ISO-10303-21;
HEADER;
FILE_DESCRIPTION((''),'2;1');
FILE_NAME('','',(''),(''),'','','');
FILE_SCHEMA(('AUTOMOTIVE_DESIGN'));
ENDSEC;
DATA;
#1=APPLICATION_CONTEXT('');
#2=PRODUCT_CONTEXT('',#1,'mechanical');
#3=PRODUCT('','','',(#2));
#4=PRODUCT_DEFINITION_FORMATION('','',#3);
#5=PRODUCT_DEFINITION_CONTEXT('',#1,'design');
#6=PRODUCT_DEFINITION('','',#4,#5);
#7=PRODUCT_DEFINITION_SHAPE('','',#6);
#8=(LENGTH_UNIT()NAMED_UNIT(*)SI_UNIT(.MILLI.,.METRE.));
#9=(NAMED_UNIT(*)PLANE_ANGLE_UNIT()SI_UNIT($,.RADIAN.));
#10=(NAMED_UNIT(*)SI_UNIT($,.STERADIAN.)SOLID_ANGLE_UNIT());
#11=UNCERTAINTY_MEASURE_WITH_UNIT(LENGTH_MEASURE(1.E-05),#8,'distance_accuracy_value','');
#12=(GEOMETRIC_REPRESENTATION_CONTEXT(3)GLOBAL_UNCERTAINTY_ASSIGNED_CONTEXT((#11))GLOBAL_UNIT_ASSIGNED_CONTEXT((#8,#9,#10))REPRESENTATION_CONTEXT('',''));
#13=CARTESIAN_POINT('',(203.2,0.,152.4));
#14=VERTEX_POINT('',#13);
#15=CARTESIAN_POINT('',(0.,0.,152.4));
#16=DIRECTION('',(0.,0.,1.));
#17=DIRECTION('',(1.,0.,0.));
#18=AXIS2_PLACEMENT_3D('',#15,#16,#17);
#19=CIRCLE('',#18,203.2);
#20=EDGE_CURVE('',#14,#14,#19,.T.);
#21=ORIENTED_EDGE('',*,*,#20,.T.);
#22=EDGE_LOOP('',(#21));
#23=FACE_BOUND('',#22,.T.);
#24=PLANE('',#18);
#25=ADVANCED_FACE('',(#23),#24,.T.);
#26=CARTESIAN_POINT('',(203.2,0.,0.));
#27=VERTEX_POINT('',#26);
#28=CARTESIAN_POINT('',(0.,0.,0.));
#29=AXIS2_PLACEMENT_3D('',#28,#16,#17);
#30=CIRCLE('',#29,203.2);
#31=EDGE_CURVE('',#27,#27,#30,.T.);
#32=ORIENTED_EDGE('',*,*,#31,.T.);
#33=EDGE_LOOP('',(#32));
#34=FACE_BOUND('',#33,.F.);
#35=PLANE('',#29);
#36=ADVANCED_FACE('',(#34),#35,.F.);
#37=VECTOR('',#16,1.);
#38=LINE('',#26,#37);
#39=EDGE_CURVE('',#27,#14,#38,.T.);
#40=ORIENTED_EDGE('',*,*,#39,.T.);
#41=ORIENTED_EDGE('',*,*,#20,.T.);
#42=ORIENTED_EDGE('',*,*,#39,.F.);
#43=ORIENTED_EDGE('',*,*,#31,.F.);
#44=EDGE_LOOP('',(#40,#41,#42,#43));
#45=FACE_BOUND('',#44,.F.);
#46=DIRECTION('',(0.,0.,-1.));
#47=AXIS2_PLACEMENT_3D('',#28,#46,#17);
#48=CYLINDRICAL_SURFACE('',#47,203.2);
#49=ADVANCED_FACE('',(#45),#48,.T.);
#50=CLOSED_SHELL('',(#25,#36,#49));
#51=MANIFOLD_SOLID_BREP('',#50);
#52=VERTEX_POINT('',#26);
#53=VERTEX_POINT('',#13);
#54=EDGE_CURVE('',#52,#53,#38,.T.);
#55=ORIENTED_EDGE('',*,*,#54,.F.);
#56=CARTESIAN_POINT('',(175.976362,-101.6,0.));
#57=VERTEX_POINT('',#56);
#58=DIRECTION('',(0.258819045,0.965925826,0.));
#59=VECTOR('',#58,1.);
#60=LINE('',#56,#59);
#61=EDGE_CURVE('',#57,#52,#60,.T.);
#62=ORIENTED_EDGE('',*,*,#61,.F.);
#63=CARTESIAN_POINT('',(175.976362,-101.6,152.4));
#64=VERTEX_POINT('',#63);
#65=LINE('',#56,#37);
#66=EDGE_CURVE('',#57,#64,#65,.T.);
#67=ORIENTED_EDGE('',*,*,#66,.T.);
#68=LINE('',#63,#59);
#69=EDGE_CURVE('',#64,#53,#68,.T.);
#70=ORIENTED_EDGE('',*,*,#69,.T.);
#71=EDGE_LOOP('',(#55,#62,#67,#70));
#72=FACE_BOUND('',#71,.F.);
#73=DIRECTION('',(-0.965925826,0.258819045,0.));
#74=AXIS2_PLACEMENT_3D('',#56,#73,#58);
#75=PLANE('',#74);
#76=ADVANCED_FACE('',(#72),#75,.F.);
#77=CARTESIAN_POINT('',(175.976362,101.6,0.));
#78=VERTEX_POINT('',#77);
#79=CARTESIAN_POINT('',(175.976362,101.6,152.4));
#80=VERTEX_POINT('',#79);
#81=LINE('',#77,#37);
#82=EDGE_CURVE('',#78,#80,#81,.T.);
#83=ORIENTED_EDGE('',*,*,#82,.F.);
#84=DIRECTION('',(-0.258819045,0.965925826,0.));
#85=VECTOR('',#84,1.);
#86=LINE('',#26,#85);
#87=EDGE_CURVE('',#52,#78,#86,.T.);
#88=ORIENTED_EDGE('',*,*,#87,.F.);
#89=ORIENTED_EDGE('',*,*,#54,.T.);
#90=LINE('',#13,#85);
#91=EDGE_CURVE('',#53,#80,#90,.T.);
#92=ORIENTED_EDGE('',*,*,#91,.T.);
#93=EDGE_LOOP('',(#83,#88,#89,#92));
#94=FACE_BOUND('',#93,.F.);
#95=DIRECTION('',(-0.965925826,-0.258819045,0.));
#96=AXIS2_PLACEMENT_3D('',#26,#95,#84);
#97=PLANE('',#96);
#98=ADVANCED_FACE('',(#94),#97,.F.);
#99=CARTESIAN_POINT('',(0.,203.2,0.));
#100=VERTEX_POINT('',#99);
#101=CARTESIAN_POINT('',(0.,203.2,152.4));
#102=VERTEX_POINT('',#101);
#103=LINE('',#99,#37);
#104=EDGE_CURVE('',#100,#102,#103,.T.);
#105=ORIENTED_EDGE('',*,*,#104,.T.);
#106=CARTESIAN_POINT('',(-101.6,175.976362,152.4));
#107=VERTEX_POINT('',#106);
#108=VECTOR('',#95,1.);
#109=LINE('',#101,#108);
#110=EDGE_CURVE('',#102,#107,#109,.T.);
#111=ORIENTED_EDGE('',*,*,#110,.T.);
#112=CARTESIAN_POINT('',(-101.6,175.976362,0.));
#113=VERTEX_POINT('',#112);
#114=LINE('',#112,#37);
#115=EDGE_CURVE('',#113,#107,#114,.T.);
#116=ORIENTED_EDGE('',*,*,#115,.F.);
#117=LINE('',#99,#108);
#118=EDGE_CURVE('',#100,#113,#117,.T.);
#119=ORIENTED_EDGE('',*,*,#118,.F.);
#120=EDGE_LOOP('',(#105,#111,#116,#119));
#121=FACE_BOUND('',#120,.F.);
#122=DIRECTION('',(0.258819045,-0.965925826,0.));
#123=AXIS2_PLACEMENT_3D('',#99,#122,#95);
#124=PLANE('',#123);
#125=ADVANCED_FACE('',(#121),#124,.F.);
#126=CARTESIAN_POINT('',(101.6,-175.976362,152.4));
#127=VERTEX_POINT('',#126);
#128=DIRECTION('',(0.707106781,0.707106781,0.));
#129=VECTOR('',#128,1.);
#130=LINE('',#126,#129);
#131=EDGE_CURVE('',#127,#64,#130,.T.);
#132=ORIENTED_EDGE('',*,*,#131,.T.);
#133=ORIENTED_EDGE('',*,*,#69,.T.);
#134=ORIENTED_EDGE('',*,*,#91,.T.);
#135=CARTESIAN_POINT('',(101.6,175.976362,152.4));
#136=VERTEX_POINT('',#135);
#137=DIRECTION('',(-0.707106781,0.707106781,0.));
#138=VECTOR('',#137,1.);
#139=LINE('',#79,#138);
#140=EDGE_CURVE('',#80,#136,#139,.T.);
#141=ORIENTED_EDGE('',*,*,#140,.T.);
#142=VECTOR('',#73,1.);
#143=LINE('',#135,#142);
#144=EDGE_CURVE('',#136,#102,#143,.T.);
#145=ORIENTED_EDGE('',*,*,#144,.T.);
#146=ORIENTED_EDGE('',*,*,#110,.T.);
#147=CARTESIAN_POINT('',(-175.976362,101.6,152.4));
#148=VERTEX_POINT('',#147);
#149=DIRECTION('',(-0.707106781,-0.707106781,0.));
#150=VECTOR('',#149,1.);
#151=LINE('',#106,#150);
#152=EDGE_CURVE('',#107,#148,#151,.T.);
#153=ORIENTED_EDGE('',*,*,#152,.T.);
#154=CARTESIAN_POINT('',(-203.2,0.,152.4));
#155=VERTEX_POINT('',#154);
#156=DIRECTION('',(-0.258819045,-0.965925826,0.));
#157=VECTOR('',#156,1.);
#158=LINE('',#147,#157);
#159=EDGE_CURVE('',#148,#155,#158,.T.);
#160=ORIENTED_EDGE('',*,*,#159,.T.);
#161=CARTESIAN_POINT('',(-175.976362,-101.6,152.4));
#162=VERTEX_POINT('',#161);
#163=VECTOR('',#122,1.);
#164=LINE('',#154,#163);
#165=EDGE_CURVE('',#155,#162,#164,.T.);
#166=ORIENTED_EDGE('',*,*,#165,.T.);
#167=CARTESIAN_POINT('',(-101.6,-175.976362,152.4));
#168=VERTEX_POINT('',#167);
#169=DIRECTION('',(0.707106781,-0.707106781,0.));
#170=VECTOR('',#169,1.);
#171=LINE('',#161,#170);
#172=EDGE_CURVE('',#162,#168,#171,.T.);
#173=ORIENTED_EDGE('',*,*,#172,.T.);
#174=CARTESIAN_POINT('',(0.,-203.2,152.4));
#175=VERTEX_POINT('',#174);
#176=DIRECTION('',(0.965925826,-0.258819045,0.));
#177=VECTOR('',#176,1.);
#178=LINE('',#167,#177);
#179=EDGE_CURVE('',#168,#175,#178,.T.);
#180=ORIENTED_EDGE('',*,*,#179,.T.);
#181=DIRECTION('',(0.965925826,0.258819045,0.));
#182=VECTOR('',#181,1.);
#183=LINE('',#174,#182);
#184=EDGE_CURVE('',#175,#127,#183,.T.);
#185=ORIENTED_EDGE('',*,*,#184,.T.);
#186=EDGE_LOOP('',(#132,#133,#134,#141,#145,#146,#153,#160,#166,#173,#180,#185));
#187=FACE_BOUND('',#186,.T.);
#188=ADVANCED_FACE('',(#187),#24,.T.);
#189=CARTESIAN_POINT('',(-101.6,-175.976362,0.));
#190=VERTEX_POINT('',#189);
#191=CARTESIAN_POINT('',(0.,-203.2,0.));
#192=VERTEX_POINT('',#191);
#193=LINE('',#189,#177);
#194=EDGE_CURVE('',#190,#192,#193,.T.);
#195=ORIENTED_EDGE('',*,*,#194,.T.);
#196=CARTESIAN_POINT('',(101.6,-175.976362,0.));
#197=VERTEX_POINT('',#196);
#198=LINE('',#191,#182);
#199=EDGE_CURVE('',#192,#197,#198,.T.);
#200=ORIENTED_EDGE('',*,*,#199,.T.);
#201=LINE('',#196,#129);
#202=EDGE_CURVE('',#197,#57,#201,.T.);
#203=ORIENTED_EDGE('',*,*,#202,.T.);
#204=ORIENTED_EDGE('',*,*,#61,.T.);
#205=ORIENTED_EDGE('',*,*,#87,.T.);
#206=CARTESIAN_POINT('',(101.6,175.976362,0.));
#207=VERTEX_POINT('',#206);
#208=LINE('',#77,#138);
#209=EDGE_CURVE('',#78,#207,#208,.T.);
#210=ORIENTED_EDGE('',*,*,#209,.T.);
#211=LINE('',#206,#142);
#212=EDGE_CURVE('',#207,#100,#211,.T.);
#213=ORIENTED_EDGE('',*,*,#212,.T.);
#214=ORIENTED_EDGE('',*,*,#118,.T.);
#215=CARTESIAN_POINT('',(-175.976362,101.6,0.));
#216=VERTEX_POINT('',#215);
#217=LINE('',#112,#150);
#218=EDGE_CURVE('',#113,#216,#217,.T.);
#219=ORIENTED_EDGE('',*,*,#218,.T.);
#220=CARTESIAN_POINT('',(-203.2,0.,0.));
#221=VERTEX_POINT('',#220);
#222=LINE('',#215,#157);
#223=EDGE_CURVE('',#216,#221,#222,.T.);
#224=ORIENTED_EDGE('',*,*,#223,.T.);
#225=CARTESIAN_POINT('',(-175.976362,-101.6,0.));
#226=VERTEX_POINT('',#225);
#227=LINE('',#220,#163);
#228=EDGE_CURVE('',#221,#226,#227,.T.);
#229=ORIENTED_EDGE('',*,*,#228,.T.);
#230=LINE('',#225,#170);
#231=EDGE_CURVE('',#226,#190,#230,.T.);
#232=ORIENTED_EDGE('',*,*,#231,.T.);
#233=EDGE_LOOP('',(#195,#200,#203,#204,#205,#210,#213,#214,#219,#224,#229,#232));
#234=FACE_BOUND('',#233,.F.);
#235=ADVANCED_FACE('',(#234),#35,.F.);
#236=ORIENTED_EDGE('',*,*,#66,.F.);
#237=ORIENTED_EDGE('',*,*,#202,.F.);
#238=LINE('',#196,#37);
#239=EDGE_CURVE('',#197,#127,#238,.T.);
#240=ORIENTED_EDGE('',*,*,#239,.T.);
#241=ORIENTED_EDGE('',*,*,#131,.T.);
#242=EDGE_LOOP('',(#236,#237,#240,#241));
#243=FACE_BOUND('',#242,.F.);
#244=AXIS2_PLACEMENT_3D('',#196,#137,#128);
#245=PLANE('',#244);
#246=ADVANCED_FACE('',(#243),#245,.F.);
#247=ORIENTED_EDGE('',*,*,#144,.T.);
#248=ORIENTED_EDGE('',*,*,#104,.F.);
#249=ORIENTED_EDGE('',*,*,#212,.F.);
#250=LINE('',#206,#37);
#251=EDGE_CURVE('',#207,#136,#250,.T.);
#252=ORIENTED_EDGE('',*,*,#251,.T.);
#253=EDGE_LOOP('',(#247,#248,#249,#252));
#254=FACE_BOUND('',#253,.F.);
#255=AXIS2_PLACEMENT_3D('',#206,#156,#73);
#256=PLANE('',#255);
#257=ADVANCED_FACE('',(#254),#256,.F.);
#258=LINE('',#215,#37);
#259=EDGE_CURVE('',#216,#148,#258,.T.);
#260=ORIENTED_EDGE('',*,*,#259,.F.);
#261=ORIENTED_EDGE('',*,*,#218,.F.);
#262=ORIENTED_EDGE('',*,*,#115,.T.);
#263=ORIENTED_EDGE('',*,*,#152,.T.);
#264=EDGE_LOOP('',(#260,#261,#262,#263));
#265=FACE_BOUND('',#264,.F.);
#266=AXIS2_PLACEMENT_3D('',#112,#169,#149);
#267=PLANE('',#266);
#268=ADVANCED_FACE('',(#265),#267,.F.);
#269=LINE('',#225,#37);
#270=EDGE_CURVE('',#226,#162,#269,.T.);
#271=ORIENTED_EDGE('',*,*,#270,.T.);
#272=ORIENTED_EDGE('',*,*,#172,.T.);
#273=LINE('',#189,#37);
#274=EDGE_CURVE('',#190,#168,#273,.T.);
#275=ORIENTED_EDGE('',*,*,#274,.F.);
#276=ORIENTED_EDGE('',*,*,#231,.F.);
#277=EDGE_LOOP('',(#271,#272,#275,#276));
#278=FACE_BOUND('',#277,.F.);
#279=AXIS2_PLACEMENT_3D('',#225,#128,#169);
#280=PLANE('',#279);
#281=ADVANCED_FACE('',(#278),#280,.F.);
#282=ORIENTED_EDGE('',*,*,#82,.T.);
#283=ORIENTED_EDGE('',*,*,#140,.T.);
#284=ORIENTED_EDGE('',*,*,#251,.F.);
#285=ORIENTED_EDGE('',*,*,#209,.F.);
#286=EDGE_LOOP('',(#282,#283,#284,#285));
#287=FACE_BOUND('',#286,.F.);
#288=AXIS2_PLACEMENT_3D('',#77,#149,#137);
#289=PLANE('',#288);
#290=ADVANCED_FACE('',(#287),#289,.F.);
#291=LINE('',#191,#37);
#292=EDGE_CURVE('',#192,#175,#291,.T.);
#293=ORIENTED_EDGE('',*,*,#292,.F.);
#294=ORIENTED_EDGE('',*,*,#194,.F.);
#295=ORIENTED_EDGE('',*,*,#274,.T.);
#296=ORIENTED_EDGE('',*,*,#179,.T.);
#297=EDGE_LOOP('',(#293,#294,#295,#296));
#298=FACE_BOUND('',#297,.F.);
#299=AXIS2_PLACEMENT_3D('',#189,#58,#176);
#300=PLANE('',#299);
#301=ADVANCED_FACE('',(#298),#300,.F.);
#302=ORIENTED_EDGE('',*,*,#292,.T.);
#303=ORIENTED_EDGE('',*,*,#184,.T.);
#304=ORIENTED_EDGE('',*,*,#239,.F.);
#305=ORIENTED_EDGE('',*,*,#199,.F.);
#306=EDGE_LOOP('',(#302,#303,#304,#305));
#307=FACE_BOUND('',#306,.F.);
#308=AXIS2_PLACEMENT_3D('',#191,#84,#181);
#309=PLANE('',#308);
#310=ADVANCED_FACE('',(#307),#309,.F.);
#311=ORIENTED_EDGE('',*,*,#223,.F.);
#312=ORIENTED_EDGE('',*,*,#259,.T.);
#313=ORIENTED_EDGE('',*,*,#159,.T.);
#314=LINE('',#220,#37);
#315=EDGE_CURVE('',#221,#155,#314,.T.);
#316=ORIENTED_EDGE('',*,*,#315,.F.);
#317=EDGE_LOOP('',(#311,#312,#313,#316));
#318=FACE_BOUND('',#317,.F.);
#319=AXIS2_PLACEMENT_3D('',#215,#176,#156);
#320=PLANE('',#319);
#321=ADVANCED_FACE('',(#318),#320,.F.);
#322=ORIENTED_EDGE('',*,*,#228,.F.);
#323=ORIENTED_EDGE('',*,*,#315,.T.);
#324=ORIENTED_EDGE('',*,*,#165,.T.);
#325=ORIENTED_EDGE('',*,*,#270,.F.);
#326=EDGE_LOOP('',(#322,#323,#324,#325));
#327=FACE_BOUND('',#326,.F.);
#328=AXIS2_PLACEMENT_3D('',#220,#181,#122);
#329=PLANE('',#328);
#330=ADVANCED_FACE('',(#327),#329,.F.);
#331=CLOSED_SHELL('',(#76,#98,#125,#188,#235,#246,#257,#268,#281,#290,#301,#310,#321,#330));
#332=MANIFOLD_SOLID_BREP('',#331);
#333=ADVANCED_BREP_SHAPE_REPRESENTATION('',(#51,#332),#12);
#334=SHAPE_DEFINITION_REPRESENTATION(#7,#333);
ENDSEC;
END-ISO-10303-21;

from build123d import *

# Parameters (mm, degrees)
F6_DEPTH = 152.4
F1_R     = 203.2


with BuildPart() as f6:
    # F5 (on face) → F6 (new body)
    with BuildSketch(Plane.XY):
        Polygon((175.976362049, -101.6), (203.2, 0), (175.976362049, 101.6), (101.6, 175.976362049), (0, 203.2), (-101.6, 175.976362049), (-175.976362049, 101.6), (-203.2, 0), (-175.976362049, -101.6), (-101.6, -175.976362049), (0, -203.2), (101.6, -175.976362049), align=None)
    extrude(amount=F6_DEPTH)


with BuildPart() as f6b:
    # F1 (on face) → F6, piece 2 (new body)
    with BuildSketch(Plane.XY):
        Circle(F1_R)
    extrude(amount=F6_DEPTH)


solid = Compound([f6.part, f6b.part])
